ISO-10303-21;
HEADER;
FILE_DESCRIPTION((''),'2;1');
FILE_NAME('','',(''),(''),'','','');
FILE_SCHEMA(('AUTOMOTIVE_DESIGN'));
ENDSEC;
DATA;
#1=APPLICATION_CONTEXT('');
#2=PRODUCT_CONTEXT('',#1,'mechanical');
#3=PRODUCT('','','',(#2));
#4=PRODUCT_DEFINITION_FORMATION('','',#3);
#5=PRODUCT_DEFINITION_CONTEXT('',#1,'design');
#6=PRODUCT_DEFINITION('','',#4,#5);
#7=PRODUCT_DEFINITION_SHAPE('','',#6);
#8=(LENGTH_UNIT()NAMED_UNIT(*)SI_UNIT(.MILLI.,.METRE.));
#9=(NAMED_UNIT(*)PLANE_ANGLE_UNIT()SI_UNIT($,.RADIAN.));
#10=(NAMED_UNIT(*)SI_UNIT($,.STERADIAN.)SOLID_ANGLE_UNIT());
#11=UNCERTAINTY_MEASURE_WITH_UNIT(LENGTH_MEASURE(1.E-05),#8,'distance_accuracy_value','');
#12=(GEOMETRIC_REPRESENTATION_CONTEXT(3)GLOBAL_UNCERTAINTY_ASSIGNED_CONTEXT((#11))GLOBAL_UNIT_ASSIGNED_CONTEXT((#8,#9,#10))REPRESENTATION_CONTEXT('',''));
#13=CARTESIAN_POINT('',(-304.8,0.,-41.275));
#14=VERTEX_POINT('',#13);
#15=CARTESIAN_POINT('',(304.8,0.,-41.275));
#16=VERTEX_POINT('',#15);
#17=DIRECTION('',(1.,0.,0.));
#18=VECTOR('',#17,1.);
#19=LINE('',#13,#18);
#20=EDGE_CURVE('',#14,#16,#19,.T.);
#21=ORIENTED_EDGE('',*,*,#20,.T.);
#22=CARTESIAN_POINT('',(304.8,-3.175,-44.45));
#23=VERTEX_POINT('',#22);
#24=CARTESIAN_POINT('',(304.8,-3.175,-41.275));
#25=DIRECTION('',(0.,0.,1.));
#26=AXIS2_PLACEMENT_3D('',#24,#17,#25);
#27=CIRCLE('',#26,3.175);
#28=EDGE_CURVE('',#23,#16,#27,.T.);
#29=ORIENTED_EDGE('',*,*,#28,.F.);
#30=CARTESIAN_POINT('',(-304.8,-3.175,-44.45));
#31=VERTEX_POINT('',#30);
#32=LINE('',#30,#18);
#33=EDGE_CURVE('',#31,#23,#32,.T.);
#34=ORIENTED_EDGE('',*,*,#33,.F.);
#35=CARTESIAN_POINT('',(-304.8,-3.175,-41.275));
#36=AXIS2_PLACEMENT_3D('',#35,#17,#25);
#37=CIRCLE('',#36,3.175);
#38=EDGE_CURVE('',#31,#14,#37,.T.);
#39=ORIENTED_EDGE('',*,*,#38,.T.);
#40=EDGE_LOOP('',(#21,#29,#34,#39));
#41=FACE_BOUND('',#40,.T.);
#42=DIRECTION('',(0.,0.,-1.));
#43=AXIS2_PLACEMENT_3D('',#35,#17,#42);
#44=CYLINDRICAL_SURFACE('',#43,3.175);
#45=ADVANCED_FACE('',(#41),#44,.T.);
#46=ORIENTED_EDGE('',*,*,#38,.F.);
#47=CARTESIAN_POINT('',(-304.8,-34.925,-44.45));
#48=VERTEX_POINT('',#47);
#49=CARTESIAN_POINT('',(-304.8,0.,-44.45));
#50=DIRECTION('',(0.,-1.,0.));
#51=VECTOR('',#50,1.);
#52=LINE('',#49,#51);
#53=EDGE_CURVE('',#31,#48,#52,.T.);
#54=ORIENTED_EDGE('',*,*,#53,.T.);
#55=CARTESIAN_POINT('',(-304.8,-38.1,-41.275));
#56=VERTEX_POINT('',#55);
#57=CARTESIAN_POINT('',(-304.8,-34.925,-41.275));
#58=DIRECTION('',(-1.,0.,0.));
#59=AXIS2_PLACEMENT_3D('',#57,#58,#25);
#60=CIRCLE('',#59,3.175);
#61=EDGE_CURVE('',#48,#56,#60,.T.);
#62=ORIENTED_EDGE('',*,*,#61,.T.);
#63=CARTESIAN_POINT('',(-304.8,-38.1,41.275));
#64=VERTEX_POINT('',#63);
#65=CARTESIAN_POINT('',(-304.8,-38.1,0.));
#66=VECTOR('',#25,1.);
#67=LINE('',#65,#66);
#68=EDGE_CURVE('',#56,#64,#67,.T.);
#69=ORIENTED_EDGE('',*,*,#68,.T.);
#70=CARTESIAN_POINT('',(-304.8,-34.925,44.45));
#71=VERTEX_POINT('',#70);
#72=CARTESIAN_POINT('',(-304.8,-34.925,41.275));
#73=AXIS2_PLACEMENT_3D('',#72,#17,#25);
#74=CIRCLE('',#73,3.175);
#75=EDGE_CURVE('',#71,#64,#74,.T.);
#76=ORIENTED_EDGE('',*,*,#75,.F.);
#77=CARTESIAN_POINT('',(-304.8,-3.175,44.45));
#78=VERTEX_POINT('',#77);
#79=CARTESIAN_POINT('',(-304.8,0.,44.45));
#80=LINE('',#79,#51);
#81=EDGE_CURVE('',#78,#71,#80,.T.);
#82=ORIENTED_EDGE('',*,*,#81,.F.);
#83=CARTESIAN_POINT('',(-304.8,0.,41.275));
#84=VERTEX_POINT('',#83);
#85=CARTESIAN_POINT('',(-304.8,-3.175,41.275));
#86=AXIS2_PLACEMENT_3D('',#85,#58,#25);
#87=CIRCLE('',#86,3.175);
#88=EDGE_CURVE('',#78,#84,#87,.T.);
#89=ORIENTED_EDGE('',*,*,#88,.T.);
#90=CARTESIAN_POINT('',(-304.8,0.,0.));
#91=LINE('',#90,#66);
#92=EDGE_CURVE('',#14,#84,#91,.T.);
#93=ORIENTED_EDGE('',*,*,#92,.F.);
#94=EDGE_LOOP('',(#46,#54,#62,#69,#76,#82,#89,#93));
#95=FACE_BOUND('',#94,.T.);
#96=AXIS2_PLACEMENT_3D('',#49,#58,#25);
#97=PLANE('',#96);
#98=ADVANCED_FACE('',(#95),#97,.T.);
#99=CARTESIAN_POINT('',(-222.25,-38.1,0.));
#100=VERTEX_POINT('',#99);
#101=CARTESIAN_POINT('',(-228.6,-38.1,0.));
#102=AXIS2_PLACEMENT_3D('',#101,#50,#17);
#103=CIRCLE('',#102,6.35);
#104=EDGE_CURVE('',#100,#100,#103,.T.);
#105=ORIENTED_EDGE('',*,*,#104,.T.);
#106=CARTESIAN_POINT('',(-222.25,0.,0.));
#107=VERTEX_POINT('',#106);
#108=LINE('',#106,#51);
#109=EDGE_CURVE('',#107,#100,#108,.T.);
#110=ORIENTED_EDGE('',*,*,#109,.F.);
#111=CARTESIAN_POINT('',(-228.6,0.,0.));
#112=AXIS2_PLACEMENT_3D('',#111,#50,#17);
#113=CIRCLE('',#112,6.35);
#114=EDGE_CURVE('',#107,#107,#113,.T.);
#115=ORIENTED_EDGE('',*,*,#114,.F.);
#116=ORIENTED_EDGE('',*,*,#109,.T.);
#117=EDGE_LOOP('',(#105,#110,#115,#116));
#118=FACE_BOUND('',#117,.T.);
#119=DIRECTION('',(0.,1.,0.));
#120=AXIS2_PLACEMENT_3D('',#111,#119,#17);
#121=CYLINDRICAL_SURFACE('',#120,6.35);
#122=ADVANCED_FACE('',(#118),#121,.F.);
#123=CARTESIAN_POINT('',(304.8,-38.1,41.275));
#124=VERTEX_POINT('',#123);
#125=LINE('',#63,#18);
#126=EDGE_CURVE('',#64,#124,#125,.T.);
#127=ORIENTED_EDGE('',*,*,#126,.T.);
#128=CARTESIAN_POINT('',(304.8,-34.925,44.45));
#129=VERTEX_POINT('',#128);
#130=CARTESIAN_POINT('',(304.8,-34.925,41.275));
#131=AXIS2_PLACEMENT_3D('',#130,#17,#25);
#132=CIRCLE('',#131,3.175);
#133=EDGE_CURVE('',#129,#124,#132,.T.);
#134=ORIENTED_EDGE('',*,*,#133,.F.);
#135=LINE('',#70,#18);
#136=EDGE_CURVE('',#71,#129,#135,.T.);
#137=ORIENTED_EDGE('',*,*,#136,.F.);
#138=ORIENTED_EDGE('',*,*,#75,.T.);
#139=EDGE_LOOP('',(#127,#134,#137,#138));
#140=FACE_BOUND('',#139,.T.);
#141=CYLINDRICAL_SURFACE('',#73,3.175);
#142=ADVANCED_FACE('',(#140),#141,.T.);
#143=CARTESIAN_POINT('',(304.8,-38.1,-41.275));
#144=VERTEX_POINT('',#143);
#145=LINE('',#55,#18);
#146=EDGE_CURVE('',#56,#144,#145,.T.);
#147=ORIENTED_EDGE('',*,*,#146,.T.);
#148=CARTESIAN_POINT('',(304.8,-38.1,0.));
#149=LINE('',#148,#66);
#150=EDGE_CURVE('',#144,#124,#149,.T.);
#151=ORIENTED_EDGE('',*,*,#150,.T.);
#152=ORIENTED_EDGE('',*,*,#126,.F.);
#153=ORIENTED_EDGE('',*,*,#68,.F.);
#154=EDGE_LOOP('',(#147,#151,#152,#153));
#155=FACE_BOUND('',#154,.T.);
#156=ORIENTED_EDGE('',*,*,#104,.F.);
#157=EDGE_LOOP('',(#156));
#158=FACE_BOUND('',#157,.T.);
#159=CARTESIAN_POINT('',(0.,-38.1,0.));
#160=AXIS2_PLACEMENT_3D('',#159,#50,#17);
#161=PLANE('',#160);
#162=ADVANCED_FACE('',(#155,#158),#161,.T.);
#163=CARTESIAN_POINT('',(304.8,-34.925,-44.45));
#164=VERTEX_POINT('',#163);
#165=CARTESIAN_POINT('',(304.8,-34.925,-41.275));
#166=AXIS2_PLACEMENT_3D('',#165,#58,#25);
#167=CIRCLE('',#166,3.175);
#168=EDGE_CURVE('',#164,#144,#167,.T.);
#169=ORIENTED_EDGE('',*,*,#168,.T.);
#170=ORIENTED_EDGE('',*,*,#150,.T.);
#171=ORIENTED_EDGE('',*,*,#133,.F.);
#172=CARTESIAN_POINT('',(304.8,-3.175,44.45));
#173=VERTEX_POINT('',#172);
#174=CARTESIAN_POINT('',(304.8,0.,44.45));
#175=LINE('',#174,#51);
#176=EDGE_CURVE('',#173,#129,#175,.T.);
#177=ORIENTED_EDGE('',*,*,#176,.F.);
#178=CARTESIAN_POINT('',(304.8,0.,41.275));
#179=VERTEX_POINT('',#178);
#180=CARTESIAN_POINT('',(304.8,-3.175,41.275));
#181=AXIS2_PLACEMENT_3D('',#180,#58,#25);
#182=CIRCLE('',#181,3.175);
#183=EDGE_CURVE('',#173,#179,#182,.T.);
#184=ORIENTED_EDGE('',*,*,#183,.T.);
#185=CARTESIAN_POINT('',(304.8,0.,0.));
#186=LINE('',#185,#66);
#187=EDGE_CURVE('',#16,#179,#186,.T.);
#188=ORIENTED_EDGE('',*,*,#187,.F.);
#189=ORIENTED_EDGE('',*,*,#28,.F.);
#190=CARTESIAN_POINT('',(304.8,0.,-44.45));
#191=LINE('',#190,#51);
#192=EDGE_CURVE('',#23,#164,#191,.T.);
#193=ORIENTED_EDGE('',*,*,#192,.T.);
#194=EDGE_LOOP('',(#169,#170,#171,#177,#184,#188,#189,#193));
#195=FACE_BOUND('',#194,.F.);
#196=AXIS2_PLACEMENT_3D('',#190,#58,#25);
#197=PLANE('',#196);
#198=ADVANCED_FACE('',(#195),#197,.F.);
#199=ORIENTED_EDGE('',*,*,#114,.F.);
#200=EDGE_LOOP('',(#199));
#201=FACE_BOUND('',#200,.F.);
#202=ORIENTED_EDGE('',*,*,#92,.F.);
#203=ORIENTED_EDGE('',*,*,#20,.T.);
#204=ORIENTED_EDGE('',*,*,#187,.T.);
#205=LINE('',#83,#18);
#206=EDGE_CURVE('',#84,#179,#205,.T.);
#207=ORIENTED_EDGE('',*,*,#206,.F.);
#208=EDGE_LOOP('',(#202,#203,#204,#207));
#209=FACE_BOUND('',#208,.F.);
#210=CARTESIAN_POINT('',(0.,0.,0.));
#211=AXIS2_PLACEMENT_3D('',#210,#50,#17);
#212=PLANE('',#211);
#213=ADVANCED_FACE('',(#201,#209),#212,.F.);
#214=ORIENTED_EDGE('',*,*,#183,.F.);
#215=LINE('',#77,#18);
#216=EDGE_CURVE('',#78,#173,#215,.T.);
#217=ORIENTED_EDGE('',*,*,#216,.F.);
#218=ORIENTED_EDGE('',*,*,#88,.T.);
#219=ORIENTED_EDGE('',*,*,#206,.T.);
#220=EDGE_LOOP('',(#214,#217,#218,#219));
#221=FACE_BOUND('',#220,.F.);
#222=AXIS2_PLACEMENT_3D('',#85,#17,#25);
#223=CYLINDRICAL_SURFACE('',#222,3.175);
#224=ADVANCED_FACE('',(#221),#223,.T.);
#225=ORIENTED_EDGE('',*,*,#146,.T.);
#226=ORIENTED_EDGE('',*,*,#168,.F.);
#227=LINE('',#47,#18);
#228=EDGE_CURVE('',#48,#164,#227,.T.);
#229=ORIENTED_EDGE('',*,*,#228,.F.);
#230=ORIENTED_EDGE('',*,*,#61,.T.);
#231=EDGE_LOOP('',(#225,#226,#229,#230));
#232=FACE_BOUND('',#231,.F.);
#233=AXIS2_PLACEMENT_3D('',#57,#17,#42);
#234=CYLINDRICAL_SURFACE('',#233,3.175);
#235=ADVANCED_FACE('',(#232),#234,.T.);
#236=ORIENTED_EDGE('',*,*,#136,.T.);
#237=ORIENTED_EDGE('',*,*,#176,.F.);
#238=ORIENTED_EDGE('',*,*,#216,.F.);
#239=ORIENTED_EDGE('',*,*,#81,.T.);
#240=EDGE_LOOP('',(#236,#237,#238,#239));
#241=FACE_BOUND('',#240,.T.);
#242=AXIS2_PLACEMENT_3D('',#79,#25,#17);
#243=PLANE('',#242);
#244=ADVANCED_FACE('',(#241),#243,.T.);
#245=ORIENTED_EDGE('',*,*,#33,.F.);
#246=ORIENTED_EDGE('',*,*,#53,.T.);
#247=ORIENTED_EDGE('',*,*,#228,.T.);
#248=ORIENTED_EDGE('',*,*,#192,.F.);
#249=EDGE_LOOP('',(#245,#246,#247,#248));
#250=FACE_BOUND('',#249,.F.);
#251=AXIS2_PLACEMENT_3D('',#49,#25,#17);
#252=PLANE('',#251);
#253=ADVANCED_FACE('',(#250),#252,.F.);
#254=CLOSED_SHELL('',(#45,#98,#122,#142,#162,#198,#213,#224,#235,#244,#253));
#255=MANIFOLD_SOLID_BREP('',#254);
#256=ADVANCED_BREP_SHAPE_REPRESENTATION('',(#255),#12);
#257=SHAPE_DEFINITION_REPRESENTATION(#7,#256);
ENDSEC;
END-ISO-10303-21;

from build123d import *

# Parameters (mm, degrees)
F0_W     = 609.6
F0_H     = 88.9
F0_R     = 6.35
F1_DEPTH = 38.1
F2_R     = 3.175


with BuildPart() as f1:
    # F0 (on Front) → F1 (new body)
    with BuildSketch(Plane.XZ):
        Rectangle(F0_W, F0_H)
        with Locations((-228.6, 0)):
            Circle(F0_R, mode=Mode.SUBTRACT)
    extrude(amount=F1_DEPTH)

    # F2
    f2_edges = [f1.edges().sort_by_distance(p)[0] for p in [
        (0, -38.1, 44.45),
        (0, -38.1, -44.45),
        (0, 0, 44.45),
        (0, 0, -44.45),
    ]]
    fillet(f2_edges, radius=F2_R)


solid = f1.part
